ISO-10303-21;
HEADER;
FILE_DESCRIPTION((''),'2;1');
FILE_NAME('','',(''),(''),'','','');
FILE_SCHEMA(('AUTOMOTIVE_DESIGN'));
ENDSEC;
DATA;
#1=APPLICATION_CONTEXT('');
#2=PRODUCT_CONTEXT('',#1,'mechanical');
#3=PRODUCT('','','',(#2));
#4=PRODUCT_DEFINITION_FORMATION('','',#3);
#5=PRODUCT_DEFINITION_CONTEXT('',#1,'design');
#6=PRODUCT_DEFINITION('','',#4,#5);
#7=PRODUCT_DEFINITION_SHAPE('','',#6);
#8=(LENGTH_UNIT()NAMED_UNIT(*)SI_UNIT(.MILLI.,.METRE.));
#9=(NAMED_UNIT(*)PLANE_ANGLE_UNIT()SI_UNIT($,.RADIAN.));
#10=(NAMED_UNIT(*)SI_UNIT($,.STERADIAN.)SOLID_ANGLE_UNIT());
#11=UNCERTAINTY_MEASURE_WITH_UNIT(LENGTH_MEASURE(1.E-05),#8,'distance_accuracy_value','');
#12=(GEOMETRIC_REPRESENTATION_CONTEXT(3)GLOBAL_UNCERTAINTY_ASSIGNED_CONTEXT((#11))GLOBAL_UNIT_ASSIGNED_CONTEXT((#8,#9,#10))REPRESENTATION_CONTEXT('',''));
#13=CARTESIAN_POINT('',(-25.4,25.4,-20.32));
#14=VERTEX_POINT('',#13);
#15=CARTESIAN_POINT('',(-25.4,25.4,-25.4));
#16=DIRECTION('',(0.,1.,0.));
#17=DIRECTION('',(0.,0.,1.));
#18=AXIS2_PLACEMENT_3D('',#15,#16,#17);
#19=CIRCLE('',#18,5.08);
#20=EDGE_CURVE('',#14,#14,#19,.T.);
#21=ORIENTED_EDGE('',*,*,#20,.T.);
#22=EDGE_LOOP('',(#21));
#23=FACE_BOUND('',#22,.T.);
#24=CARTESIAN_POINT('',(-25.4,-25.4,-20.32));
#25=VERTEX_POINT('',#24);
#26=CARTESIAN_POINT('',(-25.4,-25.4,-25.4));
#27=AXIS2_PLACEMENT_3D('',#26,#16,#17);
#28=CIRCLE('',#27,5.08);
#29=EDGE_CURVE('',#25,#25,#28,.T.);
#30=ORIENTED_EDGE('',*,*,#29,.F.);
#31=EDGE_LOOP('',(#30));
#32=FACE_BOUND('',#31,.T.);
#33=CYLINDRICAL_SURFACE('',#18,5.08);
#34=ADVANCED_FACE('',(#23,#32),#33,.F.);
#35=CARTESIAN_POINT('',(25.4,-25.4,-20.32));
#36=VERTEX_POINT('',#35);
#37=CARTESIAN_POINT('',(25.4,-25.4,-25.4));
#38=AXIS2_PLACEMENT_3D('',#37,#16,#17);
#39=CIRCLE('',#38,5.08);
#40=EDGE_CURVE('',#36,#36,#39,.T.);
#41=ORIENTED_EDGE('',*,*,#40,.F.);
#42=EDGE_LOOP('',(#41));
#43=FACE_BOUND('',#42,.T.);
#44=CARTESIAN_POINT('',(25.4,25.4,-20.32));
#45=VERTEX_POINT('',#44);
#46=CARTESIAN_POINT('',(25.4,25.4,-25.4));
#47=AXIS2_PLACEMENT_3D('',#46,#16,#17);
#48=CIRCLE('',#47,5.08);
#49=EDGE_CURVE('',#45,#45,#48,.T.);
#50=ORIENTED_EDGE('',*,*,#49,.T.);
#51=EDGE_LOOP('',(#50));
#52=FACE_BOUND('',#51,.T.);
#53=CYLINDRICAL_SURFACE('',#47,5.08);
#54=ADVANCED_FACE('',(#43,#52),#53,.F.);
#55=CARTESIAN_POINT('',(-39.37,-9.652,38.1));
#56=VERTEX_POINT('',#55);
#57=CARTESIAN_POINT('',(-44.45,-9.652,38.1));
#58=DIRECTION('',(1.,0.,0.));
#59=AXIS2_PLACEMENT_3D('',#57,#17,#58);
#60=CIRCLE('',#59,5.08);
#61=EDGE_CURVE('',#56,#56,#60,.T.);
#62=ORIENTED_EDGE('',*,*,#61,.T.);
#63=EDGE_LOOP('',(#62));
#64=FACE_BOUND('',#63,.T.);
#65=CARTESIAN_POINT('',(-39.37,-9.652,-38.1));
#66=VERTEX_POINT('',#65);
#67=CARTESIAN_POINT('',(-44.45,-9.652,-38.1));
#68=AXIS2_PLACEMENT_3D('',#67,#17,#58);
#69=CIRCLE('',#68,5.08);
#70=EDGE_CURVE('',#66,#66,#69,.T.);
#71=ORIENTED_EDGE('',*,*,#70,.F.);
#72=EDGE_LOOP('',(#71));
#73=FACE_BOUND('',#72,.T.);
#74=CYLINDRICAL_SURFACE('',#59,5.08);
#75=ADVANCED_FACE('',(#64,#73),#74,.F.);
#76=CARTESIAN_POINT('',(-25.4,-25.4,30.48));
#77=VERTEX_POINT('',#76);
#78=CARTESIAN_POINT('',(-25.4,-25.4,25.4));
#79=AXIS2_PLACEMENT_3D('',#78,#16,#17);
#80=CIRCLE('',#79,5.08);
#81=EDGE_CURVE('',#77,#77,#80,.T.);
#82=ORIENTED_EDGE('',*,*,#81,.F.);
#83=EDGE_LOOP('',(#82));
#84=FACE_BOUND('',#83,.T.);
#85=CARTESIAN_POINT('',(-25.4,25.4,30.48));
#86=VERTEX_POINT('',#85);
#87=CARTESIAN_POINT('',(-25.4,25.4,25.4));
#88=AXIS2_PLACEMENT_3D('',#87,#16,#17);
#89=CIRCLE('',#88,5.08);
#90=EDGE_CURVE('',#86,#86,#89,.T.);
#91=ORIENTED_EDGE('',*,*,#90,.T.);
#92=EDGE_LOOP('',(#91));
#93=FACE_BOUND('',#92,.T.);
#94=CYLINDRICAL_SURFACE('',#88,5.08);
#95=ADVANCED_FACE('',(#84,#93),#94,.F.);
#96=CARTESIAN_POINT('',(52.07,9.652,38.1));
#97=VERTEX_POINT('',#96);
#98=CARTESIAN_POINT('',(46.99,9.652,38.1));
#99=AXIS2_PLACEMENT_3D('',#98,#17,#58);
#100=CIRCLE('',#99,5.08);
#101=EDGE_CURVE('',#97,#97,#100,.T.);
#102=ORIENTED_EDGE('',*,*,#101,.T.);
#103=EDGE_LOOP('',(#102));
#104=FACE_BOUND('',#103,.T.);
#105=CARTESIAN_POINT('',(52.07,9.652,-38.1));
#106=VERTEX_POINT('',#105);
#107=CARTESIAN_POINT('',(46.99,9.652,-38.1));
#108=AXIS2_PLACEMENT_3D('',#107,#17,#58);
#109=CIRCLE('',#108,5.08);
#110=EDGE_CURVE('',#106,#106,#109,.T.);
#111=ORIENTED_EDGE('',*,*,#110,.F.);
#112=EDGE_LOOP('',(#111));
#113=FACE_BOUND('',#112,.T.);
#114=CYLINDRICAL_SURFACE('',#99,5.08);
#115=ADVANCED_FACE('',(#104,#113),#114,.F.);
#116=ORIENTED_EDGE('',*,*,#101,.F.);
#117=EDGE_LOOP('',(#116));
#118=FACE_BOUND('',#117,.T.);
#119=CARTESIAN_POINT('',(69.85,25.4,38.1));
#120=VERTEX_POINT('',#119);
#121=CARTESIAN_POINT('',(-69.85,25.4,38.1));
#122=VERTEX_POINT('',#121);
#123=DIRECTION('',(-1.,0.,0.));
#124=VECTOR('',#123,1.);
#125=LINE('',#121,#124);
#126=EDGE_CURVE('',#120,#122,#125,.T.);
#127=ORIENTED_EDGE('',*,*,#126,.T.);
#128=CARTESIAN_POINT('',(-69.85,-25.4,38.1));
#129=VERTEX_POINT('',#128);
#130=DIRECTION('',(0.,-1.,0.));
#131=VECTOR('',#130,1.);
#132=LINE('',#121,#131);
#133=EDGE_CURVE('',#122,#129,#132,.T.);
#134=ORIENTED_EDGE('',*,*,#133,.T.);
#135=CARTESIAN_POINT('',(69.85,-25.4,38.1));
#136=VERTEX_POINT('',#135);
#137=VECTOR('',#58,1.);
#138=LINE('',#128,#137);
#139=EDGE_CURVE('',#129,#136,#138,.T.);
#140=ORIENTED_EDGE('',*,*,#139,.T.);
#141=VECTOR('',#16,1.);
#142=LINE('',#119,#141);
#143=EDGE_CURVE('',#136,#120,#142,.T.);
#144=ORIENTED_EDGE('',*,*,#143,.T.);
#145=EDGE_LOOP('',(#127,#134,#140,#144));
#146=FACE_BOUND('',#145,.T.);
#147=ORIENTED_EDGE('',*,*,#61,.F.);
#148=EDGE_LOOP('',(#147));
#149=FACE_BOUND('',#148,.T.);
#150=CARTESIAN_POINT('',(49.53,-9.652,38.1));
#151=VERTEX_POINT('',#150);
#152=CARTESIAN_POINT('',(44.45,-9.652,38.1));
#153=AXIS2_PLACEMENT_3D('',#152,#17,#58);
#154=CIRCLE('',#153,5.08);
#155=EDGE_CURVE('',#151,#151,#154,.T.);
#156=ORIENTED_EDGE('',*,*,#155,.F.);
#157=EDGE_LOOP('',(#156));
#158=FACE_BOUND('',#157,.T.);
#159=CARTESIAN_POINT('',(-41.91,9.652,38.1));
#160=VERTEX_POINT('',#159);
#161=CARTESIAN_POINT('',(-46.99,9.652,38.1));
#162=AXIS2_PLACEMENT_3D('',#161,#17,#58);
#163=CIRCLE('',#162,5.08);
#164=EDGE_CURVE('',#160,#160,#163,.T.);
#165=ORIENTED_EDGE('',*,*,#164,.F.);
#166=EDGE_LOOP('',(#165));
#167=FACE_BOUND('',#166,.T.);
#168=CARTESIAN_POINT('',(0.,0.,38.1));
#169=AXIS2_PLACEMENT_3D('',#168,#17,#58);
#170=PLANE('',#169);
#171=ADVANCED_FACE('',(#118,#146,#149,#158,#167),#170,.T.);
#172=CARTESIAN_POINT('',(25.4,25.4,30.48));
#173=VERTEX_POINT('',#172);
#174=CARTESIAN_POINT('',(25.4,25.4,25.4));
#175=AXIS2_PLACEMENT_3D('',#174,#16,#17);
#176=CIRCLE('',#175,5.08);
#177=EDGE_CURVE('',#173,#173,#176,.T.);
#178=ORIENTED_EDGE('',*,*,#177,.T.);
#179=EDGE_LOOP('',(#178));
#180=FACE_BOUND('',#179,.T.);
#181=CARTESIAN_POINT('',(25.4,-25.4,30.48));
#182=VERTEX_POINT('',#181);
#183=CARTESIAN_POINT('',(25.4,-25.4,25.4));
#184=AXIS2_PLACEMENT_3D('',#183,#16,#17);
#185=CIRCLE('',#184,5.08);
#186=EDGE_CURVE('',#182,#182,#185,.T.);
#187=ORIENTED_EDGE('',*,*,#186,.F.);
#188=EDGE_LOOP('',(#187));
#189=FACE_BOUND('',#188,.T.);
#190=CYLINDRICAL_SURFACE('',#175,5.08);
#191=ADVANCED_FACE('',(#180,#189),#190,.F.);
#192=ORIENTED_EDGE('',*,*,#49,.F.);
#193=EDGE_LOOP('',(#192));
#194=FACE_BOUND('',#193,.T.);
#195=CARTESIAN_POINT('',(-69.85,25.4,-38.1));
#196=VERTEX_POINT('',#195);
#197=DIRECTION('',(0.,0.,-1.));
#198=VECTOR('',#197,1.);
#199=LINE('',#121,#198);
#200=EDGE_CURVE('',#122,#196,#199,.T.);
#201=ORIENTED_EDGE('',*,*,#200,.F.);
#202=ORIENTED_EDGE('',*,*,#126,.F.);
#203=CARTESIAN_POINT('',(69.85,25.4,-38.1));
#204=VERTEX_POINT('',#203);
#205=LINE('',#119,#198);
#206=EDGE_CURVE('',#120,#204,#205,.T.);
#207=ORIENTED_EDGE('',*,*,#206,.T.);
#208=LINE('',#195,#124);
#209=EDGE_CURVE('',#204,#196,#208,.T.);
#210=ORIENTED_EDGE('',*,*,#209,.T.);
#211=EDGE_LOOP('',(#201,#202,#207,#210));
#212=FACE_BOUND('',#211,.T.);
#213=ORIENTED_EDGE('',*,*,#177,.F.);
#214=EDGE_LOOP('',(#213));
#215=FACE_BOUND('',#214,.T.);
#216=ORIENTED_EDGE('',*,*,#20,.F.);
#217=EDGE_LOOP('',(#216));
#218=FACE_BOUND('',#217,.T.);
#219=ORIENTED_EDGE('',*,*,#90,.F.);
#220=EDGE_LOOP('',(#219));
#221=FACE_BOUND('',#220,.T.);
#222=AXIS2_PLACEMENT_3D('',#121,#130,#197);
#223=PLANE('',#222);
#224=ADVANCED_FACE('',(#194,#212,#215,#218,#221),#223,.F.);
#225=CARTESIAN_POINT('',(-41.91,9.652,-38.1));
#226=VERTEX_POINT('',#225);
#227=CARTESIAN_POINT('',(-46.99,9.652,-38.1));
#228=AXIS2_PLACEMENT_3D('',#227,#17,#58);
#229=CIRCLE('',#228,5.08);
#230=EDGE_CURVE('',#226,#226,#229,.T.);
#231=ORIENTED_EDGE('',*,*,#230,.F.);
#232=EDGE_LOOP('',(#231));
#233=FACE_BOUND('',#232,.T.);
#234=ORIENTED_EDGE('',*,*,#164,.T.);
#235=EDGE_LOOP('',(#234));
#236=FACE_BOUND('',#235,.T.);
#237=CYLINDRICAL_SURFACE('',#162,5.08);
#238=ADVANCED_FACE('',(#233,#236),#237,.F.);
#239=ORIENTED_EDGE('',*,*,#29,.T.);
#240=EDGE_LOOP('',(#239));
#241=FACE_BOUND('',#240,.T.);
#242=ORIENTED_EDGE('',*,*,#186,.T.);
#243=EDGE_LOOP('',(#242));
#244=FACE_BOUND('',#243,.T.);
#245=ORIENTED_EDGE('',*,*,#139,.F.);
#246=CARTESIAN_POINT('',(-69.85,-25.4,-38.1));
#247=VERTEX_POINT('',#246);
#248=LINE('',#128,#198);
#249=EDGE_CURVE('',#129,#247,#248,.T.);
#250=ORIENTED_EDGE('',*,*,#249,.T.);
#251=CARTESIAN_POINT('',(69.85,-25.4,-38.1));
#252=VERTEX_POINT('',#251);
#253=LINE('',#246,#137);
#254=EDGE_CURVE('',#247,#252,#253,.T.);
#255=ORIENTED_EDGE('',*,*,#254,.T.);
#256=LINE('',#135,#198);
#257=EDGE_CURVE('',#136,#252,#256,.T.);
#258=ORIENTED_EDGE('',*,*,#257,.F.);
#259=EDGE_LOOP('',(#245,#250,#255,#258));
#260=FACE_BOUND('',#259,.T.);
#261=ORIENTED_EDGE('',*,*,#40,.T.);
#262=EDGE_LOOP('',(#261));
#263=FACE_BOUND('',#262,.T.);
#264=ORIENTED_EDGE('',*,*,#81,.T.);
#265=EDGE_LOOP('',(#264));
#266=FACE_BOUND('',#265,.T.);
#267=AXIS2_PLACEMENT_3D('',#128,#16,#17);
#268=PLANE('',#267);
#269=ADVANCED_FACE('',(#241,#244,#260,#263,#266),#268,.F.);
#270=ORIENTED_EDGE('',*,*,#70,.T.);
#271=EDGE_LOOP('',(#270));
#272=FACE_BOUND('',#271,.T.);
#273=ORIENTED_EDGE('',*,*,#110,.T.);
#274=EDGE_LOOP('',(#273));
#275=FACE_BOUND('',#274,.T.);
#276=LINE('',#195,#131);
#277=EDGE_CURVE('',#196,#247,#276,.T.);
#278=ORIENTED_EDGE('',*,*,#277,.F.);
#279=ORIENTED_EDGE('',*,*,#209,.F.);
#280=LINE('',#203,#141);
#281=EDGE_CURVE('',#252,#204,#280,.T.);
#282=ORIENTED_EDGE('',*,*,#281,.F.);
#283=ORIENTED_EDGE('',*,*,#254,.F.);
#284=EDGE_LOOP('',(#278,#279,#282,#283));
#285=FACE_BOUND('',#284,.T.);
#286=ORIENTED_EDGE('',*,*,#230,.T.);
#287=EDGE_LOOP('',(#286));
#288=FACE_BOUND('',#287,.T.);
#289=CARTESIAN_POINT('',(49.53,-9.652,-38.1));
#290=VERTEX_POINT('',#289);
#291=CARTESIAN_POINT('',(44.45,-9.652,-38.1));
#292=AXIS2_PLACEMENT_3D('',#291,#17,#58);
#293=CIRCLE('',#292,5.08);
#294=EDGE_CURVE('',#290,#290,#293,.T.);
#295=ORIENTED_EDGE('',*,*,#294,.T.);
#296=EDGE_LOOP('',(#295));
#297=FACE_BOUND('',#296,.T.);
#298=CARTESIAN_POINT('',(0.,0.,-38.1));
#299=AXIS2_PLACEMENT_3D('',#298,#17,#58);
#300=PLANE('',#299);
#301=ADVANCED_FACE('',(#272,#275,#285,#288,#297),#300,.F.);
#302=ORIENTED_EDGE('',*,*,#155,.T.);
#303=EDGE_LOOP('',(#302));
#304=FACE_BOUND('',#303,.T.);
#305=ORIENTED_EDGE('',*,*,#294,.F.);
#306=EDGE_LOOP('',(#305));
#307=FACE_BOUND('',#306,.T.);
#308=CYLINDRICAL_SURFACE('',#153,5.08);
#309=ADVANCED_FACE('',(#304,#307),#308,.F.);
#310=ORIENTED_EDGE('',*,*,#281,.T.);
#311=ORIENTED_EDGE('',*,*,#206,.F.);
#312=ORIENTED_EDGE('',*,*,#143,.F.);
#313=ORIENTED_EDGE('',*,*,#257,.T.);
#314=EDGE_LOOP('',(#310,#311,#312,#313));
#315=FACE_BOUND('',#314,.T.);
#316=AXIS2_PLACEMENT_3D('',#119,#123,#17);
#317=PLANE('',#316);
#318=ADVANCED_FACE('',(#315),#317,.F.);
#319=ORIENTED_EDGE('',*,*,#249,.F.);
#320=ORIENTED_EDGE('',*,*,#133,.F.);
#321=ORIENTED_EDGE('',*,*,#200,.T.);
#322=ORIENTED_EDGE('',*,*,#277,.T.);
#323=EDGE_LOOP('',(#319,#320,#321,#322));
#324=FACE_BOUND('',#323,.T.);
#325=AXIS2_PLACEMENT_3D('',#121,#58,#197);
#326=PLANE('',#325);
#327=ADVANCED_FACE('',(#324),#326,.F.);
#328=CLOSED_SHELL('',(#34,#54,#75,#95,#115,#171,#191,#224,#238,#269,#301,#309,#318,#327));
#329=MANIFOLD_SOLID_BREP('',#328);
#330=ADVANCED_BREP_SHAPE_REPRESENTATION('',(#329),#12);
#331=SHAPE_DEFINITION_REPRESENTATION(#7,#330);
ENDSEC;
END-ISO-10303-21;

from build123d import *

# Parameters (mm, degrees)
SKETCH1_W                     = 139.7
SKETCH1_H                     = 50.8
BOSS_EXTRUDE1_DEPTH           = 38.1
F_0_4IN_DIAMETER_HOLE_ZAXIS_D = 10.16
F_0_4IN_DIAMETER_HOLE_YAXIS_D = 10.16


with BuildPart() as part:
    # Sketch1 → Boss-Extrude1 (new, symmetric)
    with BuildSketch(Plane.XY):
        Rectangle(SKETCH1_W, SKETCH1_H)
    extrude(amount=BOSS_EXTRUDE1_DEPTH, both=True)

    # 0.4in Diameter Hole zaxis (through all)
    with Locations(Plane.XY.offset(38.1)):
        with Locations((46.99, 9.652), (44.45, -9.652)):
            f_0_4in_diameter_hole_zaxis = Hole(F_0_4IN_DIAMETER_HOLE_ZAXIS_D / 2)

    # Mirror1: 0.4in Diameter Hole zaxis across plane
    add(f_0_4in_diameter_hole_zaxis.mirror(Plane(origin=(0, 0, 0), x_dir=(0, 0, 1), z_dir=(1, 0, 0))), mode=Mode.SUBTRACT)

    # 0.4in Diameter Hole yaxis (through all)
    with Locations(Plane(origin=(0, 25.4, 0), x_dir=(1, 0, 0), z_dir=(0, 1, 0))):
        with Locations((-25.4, 25.4), (-25.4, -25.4), (25.4, -25.4), (25.4, 25.4)):
            Hole(F_0_4IN_DIAMETER_HOLE_YAXIS_D / 2)


solid = part.part
